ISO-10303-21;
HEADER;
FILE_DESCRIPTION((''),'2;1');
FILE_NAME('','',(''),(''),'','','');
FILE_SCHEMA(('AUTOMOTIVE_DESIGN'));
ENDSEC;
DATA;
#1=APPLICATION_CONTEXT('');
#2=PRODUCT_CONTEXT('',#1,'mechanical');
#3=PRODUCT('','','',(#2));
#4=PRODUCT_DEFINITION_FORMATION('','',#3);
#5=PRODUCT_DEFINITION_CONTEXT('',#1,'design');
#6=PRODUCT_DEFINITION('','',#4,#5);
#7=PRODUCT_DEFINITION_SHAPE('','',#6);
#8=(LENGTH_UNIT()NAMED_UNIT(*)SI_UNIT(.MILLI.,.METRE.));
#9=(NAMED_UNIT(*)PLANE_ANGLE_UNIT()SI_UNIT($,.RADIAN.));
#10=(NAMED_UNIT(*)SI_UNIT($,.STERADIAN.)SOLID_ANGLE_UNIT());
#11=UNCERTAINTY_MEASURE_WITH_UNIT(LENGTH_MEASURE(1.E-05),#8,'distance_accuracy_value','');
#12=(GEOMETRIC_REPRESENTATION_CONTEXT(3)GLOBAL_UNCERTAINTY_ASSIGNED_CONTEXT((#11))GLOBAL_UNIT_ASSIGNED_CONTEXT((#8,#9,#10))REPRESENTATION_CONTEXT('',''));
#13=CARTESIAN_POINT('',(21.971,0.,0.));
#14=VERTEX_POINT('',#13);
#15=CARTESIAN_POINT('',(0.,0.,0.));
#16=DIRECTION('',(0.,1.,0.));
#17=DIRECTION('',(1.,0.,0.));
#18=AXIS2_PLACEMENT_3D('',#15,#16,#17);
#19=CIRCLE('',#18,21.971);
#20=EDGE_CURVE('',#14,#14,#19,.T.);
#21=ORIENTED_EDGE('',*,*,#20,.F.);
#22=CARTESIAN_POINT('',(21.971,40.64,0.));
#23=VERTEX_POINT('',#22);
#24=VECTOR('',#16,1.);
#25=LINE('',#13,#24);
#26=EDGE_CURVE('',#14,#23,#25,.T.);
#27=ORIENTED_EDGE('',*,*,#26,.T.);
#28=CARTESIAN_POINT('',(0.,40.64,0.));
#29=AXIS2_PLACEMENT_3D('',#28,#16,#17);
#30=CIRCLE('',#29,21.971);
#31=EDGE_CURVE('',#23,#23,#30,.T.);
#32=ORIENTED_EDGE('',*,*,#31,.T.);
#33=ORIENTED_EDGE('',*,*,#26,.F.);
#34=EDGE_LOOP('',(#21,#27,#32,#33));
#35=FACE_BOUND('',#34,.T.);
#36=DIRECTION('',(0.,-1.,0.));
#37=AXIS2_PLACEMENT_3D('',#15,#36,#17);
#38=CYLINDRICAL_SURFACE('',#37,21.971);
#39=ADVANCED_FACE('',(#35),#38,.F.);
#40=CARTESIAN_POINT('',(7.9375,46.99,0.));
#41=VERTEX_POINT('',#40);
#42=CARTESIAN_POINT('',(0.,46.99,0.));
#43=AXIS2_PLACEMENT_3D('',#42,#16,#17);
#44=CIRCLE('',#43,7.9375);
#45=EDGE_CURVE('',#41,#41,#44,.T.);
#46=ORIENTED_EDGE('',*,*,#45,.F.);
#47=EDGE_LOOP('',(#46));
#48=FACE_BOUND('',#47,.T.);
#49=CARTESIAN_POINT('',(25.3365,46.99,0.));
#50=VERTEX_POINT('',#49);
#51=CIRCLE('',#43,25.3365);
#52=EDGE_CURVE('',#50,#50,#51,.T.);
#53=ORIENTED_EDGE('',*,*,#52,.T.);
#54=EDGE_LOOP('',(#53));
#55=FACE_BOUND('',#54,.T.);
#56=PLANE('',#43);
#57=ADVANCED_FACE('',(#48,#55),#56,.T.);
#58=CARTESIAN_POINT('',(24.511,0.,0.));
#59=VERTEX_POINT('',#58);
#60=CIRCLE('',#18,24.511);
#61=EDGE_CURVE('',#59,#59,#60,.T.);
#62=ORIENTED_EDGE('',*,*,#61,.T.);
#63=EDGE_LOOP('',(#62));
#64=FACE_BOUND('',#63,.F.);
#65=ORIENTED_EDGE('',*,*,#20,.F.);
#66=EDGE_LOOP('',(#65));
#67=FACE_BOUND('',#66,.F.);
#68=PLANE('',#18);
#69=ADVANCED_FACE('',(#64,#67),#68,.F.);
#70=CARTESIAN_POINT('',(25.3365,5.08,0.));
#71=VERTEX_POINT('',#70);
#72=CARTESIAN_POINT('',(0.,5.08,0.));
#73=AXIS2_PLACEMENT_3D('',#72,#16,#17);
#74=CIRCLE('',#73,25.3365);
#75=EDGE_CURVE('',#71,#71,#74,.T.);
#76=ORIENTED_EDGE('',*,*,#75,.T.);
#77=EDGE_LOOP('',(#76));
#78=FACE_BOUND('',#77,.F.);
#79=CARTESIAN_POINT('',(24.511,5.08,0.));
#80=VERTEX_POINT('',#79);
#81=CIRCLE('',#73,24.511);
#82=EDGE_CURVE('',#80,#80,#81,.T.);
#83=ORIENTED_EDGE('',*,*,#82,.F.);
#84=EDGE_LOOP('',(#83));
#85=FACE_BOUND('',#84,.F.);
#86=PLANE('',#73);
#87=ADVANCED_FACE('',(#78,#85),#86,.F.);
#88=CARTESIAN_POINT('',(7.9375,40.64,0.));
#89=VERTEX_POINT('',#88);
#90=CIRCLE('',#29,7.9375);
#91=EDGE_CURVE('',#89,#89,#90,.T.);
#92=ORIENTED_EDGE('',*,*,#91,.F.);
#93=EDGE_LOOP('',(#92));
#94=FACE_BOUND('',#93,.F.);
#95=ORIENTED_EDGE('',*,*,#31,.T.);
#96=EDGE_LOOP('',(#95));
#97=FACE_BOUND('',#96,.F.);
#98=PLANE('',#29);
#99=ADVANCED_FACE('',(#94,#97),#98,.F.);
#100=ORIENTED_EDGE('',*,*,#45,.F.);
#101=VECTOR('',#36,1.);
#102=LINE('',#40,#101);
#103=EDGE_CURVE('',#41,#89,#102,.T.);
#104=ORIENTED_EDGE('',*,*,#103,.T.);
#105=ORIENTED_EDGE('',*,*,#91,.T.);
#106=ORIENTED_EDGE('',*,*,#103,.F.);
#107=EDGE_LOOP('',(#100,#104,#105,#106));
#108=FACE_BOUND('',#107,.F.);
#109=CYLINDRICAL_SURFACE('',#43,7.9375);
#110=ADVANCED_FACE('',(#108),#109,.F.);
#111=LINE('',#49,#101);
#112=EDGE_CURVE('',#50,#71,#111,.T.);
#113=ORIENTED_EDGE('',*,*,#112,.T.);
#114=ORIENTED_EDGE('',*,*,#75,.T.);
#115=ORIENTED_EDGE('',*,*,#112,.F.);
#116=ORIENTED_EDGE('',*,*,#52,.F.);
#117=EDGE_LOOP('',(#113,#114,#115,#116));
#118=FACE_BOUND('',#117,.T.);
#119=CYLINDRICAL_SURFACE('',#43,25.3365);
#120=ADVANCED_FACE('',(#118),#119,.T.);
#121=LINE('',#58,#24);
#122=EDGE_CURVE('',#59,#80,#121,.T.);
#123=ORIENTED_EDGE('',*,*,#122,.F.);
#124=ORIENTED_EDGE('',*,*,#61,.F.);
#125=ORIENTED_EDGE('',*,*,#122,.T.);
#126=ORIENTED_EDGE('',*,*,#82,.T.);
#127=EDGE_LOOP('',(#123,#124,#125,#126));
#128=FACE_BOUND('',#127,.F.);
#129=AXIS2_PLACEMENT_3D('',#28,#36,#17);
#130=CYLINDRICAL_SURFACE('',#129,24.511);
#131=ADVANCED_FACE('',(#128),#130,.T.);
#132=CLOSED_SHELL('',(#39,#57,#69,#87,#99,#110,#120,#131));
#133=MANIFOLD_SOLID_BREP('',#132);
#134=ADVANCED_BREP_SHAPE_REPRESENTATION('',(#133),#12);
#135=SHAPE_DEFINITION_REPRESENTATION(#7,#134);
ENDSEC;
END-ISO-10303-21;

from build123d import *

# Parameters (mm, degrees)
SKETCH1_R           = 24.511
SKETCH1_R_2         = 21.971
BOSS_EXTRUDE1_DEPTH = 40.64
SKETCH2_R           = 24.511
BOSS_EXTRUDE2_DEPTH = 6.35
CUT_EXTRUDE1_REACH  = 48.99
SKETCH3_R           = 7.9375
SKETCH4_R           = 25.3365
SKETCH4_R_2         = 24.511
BOSS_EXTRUDE3_DEPTH = 41.91


with BuildPart() as part:
    # Sketch1 → Boss-Extrude1 (new body)
    with BuildSketch(Plane(origin=(0, 0, 0), x_dir=(1, 0, 0), z_dir=(0, 1, 0))):
        Circle(SKETCH1_R)
        Circle(SKETCH1_R_2, mode=Mode.SUBTRACT)
    extrude(amount=BOSS_EXTRUDE1_DEPTH)

    # Sketch2 → Boss-Extrude2 (add)
    with BuildSketch(Plane(origin=(0, 40.64, 0), x_dir=(1, 0, 0), z_dir=(0, 1, 0))):
        Circle(SKETCH2_R)
    extrude(amount=BOSS_EXTRUDE2_DEPTH)

    # Sketch3 → Cut-Extrude1 (cut, up to next)
    with BuildSketch(Plane(origin=(0, 46.99, 0), x_dir=(1, 0, 0), z_dir=(0, 1, 0)), mode=Mode.PRIVATE) as cut_extrude1_sk1:
        Circle(SKETCH3_R)
    cut_extrude1_tool1 = extrude(cut_extrude1_sk1.sketch, amount=-CUT_EXTRUDE1_REACH, mode=Mode.PRIVATE) & part.part
    add(cut_extrude1_tool1.solids().sort_by_distance((0, 46.99, 0))[0], mode=Mode.SUBTRACT)

    # Sketch4 → Boss-Extrude3 (add)
    with BuildSketch(Plane(origin=(0, 46.99, 0), x_dir=(1, 0, 0), z_dir=(0, 1, 0))):
        Circle(SKETCH4_R)
        Circle(SKETCH4_R_2, mode=Mode.SUBTRACT)
    extrude(amount=-BOSS_EXTRUDE3_DEPTH)


solid = part.part
